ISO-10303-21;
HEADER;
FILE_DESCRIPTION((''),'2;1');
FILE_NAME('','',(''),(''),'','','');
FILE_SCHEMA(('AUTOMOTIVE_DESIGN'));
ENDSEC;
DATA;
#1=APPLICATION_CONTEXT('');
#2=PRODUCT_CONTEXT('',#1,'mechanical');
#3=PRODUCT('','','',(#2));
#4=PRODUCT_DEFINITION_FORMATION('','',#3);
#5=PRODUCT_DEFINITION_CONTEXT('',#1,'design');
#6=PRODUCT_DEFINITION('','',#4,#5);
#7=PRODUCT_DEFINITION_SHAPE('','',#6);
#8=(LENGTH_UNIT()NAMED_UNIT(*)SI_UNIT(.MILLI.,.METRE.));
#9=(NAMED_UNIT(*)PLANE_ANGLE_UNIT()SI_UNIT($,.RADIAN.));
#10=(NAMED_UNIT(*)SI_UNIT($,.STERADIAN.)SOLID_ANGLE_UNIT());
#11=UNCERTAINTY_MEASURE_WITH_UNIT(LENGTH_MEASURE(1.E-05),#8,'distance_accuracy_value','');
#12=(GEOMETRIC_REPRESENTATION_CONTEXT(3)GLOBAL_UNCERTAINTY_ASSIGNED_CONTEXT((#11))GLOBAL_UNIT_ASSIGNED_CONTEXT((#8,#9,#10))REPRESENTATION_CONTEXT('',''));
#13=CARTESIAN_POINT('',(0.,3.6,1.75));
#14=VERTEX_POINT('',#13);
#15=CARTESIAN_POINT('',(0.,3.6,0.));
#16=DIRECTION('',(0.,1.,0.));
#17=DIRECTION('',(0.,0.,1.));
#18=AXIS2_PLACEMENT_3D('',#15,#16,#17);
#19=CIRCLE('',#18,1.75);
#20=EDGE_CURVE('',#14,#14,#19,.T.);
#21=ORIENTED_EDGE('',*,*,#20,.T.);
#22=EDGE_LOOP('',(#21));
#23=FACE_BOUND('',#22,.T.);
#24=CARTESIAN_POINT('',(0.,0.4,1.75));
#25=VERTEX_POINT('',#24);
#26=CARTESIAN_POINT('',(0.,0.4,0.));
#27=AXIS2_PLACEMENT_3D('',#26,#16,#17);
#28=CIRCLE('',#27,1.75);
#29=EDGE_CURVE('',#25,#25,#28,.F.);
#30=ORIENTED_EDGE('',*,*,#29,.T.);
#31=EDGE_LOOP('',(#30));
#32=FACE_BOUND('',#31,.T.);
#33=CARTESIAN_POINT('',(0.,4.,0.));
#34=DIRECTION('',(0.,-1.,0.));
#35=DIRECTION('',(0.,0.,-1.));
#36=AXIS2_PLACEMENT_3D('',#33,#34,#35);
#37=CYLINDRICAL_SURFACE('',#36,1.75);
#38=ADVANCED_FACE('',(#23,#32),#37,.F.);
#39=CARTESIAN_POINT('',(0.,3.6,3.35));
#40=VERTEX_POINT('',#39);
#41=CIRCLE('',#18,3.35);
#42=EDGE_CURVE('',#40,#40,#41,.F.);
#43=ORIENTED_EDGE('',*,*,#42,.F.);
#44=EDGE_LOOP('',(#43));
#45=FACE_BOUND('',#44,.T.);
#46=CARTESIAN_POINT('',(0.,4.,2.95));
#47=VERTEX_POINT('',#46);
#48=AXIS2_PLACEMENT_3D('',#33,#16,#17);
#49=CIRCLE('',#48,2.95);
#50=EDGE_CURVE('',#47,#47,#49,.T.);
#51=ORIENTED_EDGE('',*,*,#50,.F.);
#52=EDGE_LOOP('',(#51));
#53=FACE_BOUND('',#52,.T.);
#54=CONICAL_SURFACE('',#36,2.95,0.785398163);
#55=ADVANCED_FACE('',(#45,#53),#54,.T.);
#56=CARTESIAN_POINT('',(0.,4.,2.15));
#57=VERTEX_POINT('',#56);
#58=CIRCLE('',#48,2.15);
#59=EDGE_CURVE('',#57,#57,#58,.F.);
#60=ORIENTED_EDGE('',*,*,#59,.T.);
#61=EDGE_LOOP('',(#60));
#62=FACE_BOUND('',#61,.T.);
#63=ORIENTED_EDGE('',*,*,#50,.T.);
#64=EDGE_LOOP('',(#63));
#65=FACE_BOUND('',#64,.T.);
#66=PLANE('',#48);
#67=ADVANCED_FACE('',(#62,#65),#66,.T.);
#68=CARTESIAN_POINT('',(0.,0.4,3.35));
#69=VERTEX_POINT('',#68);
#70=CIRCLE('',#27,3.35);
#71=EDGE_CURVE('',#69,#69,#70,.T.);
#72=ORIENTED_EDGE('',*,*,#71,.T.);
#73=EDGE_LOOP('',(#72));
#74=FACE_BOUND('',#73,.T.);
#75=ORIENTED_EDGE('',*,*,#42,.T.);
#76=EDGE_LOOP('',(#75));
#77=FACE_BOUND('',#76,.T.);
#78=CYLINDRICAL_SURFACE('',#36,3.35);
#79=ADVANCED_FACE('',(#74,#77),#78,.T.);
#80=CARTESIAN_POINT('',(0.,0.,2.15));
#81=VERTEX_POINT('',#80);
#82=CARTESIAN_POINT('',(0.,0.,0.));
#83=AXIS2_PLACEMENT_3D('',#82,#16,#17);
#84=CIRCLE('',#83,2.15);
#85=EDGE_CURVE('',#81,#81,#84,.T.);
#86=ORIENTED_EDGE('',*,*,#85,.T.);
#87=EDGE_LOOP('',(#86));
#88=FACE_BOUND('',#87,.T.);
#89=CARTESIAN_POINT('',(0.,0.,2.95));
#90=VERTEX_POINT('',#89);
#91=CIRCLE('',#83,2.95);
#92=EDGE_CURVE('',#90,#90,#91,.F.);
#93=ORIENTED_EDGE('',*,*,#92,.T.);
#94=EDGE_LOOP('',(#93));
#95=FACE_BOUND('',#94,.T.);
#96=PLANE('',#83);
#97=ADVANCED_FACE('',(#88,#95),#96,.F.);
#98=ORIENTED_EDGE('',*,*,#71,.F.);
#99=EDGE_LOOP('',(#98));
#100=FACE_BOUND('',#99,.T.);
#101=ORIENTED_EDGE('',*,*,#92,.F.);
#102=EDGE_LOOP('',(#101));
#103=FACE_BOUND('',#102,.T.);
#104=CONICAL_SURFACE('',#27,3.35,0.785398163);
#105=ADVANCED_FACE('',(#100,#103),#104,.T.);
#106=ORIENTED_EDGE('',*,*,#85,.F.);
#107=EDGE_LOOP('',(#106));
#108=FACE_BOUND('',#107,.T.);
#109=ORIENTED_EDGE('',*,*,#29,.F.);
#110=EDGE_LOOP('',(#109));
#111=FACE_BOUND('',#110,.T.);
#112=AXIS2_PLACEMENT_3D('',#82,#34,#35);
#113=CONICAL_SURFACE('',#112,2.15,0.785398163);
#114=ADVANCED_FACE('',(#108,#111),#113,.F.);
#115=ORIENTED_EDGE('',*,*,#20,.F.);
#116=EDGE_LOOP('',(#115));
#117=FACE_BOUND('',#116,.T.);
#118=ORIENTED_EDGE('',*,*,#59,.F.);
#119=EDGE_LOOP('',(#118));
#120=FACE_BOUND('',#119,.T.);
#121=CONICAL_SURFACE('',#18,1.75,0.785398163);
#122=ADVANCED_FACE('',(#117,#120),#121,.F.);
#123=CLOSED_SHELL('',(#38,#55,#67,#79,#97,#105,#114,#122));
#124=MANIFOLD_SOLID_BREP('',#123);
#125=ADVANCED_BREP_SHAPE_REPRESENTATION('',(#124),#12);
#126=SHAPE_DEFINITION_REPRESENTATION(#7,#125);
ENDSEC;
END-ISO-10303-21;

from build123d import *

# Parameters (mm, degrees)
SKETCH2_R           = 3.35
SKETCH2_R_2         = 1.75
BOSS_EXTRUDE1_DEPTH = 4
CHAMFER1_SIZE       = 0.4


with BuildPart() as part:
    # Sketch2 → Boss-Extrude1 (new body)
    with BuildSketch(Plane(origin=(0, 0, 0), x_dir=(1, 0, 0), z_dir=(0, 1, 0))):
        with Locations(Location((0, 0, 0), (0, 0, 270))):
            Circle(SKETCH2_R)
        with Locations(Location((0, 0, 0), (0, 0, 270))):
            Circle(SKETCH2_R_2, mode=Mode.SUBTRACT)
    extrude(amount=BOSS_EXTRUDE1_DEPTH)

    # Chamfer1
    chamfer1_edges = [part.edges().sort_by_distance(p)[0] for p in [
        (0, 0, -3.35),
        (0, 4, -3.35),
        (0, 0, -1.75),
        (0, 4, -1.75),
    ]]
    chamfer(chamfer1_edges, length=CHAMFER1_SIZE)


solid = part.part
